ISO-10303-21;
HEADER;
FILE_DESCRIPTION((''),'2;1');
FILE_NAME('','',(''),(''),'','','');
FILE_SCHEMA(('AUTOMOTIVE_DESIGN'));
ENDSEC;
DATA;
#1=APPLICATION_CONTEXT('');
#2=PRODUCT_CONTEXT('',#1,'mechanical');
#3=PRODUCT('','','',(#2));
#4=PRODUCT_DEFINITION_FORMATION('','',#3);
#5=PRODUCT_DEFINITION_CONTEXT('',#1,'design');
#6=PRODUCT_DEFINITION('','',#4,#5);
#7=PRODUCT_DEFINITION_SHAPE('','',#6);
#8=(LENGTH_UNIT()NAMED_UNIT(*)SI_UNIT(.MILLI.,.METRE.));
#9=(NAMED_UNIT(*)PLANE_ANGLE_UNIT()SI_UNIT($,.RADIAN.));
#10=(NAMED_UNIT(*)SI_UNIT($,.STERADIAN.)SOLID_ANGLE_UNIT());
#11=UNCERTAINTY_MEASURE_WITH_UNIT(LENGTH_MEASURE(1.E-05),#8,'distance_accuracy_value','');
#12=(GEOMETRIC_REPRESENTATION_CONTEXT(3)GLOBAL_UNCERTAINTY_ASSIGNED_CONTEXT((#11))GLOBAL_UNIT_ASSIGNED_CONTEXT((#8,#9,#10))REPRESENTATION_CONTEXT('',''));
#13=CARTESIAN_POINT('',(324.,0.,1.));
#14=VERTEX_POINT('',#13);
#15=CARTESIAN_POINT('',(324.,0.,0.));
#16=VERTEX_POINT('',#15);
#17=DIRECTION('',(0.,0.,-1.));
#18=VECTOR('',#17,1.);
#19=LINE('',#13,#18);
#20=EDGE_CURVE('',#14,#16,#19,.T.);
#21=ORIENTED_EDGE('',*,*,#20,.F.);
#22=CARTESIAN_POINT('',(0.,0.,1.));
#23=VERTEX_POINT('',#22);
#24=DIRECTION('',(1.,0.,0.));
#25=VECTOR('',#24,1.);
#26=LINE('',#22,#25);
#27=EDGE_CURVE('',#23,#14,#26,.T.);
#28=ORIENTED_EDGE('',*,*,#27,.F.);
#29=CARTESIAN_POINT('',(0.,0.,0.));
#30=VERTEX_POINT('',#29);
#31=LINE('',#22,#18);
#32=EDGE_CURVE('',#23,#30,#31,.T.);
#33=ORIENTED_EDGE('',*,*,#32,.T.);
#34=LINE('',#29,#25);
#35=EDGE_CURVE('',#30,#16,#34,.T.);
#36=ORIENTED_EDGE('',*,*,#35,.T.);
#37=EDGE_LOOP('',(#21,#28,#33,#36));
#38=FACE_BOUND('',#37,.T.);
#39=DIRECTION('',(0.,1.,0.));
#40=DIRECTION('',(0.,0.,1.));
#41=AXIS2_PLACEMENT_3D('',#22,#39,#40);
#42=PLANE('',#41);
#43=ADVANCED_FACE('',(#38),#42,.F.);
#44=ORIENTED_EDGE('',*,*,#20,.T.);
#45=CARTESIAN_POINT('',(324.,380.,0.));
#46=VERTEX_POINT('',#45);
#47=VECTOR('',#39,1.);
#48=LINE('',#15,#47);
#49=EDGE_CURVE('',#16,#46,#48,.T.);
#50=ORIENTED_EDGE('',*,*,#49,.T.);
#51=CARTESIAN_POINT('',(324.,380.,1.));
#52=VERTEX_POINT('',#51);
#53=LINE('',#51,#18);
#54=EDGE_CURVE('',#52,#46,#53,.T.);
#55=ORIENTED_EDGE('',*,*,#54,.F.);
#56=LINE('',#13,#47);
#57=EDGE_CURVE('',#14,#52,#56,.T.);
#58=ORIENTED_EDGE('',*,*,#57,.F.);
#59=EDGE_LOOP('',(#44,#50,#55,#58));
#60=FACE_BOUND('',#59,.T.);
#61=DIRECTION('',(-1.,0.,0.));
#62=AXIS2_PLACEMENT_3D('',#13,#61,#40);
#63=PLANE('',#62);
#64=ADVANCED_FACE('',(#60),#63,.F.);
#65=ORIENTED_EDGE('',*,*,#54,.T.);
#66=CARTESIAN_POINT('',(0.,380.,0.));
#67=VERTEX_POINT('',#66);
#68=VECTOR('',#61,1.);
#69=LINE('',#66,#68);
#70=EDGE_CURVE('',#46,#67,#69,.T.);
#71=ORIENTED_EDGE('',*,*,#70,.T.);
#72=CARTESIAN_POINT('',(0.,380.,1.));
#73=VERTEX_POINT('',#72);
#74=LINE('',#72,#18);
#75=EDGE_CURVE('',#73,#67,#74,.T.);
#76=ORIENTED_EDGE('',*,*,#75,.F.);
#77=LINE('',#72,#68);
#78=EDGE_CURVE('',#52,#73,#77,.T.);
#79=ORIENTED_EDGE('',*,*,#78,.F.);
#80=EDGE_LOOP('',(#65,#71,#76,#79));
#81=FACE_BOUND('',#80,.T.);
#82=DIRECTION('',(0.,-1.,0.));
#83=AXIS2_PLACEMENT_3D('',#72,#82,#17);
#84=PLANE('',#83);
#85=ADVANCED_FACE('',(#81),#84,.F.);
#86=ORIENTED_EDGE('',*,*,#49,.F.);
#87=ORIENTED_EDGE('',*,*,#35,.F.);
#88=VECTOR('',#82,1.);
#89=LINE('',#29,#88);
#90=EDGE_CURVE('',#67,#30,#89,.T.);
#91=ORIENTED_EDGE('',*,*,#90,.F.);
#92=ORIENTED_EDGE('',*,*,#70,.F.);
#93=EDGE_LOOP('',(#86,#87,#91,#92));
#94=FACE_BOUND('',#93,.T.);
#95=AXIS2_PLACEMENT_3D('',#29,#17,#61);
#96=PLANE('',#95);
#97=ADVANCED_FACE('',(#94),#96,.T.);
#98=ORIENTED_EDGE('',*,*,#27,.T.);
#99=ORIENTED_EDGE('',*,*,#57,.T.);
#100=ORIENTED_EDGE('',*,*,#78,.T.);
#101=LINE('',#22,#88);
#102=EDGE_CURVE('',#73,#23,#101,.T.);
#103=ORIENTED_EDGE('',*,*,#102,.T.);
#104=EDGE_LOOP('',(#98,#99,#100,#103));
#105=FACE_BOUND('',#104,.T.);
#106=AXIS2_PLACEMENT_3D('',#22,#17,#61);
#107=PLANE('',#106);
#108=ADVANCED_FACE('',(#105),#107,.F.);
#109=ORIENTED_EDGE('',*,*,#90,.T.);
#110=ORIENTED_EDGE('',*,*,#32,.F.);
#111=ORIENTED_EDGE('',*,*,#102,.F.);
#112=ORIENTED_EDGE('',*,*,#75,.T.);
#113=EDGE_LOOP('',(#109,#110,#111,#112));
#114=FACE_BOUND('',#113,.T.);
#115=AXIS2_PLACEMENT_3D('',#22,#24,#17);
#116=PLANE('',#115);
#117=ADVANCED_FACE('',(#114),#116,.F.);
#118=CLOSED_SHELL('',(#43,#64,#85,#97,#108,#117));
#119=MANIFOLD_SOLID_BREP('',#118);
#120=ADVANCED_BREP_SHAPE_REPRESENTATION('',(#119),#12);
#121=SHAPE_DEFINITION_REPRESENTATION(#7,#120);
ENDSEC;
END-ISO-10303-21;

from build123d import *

# Parameters (mm, degrees)
SKETCH1_W           = 324
SKETCH1_H           = 380
BOSS_EXTRUDE1_DEPTH = 1


with BuildPart() as part:
    # Sketch1 → Boss-Extrude1 (new body)
    with BuildSketch(Plane.XY):
        with Locations((162, 190)):
            Rectangle(SKETCH1_W, SKETCH1_H)
    extrude(amount=BOSS_EXTRUDE1_DEPTH)


solid = part.part
